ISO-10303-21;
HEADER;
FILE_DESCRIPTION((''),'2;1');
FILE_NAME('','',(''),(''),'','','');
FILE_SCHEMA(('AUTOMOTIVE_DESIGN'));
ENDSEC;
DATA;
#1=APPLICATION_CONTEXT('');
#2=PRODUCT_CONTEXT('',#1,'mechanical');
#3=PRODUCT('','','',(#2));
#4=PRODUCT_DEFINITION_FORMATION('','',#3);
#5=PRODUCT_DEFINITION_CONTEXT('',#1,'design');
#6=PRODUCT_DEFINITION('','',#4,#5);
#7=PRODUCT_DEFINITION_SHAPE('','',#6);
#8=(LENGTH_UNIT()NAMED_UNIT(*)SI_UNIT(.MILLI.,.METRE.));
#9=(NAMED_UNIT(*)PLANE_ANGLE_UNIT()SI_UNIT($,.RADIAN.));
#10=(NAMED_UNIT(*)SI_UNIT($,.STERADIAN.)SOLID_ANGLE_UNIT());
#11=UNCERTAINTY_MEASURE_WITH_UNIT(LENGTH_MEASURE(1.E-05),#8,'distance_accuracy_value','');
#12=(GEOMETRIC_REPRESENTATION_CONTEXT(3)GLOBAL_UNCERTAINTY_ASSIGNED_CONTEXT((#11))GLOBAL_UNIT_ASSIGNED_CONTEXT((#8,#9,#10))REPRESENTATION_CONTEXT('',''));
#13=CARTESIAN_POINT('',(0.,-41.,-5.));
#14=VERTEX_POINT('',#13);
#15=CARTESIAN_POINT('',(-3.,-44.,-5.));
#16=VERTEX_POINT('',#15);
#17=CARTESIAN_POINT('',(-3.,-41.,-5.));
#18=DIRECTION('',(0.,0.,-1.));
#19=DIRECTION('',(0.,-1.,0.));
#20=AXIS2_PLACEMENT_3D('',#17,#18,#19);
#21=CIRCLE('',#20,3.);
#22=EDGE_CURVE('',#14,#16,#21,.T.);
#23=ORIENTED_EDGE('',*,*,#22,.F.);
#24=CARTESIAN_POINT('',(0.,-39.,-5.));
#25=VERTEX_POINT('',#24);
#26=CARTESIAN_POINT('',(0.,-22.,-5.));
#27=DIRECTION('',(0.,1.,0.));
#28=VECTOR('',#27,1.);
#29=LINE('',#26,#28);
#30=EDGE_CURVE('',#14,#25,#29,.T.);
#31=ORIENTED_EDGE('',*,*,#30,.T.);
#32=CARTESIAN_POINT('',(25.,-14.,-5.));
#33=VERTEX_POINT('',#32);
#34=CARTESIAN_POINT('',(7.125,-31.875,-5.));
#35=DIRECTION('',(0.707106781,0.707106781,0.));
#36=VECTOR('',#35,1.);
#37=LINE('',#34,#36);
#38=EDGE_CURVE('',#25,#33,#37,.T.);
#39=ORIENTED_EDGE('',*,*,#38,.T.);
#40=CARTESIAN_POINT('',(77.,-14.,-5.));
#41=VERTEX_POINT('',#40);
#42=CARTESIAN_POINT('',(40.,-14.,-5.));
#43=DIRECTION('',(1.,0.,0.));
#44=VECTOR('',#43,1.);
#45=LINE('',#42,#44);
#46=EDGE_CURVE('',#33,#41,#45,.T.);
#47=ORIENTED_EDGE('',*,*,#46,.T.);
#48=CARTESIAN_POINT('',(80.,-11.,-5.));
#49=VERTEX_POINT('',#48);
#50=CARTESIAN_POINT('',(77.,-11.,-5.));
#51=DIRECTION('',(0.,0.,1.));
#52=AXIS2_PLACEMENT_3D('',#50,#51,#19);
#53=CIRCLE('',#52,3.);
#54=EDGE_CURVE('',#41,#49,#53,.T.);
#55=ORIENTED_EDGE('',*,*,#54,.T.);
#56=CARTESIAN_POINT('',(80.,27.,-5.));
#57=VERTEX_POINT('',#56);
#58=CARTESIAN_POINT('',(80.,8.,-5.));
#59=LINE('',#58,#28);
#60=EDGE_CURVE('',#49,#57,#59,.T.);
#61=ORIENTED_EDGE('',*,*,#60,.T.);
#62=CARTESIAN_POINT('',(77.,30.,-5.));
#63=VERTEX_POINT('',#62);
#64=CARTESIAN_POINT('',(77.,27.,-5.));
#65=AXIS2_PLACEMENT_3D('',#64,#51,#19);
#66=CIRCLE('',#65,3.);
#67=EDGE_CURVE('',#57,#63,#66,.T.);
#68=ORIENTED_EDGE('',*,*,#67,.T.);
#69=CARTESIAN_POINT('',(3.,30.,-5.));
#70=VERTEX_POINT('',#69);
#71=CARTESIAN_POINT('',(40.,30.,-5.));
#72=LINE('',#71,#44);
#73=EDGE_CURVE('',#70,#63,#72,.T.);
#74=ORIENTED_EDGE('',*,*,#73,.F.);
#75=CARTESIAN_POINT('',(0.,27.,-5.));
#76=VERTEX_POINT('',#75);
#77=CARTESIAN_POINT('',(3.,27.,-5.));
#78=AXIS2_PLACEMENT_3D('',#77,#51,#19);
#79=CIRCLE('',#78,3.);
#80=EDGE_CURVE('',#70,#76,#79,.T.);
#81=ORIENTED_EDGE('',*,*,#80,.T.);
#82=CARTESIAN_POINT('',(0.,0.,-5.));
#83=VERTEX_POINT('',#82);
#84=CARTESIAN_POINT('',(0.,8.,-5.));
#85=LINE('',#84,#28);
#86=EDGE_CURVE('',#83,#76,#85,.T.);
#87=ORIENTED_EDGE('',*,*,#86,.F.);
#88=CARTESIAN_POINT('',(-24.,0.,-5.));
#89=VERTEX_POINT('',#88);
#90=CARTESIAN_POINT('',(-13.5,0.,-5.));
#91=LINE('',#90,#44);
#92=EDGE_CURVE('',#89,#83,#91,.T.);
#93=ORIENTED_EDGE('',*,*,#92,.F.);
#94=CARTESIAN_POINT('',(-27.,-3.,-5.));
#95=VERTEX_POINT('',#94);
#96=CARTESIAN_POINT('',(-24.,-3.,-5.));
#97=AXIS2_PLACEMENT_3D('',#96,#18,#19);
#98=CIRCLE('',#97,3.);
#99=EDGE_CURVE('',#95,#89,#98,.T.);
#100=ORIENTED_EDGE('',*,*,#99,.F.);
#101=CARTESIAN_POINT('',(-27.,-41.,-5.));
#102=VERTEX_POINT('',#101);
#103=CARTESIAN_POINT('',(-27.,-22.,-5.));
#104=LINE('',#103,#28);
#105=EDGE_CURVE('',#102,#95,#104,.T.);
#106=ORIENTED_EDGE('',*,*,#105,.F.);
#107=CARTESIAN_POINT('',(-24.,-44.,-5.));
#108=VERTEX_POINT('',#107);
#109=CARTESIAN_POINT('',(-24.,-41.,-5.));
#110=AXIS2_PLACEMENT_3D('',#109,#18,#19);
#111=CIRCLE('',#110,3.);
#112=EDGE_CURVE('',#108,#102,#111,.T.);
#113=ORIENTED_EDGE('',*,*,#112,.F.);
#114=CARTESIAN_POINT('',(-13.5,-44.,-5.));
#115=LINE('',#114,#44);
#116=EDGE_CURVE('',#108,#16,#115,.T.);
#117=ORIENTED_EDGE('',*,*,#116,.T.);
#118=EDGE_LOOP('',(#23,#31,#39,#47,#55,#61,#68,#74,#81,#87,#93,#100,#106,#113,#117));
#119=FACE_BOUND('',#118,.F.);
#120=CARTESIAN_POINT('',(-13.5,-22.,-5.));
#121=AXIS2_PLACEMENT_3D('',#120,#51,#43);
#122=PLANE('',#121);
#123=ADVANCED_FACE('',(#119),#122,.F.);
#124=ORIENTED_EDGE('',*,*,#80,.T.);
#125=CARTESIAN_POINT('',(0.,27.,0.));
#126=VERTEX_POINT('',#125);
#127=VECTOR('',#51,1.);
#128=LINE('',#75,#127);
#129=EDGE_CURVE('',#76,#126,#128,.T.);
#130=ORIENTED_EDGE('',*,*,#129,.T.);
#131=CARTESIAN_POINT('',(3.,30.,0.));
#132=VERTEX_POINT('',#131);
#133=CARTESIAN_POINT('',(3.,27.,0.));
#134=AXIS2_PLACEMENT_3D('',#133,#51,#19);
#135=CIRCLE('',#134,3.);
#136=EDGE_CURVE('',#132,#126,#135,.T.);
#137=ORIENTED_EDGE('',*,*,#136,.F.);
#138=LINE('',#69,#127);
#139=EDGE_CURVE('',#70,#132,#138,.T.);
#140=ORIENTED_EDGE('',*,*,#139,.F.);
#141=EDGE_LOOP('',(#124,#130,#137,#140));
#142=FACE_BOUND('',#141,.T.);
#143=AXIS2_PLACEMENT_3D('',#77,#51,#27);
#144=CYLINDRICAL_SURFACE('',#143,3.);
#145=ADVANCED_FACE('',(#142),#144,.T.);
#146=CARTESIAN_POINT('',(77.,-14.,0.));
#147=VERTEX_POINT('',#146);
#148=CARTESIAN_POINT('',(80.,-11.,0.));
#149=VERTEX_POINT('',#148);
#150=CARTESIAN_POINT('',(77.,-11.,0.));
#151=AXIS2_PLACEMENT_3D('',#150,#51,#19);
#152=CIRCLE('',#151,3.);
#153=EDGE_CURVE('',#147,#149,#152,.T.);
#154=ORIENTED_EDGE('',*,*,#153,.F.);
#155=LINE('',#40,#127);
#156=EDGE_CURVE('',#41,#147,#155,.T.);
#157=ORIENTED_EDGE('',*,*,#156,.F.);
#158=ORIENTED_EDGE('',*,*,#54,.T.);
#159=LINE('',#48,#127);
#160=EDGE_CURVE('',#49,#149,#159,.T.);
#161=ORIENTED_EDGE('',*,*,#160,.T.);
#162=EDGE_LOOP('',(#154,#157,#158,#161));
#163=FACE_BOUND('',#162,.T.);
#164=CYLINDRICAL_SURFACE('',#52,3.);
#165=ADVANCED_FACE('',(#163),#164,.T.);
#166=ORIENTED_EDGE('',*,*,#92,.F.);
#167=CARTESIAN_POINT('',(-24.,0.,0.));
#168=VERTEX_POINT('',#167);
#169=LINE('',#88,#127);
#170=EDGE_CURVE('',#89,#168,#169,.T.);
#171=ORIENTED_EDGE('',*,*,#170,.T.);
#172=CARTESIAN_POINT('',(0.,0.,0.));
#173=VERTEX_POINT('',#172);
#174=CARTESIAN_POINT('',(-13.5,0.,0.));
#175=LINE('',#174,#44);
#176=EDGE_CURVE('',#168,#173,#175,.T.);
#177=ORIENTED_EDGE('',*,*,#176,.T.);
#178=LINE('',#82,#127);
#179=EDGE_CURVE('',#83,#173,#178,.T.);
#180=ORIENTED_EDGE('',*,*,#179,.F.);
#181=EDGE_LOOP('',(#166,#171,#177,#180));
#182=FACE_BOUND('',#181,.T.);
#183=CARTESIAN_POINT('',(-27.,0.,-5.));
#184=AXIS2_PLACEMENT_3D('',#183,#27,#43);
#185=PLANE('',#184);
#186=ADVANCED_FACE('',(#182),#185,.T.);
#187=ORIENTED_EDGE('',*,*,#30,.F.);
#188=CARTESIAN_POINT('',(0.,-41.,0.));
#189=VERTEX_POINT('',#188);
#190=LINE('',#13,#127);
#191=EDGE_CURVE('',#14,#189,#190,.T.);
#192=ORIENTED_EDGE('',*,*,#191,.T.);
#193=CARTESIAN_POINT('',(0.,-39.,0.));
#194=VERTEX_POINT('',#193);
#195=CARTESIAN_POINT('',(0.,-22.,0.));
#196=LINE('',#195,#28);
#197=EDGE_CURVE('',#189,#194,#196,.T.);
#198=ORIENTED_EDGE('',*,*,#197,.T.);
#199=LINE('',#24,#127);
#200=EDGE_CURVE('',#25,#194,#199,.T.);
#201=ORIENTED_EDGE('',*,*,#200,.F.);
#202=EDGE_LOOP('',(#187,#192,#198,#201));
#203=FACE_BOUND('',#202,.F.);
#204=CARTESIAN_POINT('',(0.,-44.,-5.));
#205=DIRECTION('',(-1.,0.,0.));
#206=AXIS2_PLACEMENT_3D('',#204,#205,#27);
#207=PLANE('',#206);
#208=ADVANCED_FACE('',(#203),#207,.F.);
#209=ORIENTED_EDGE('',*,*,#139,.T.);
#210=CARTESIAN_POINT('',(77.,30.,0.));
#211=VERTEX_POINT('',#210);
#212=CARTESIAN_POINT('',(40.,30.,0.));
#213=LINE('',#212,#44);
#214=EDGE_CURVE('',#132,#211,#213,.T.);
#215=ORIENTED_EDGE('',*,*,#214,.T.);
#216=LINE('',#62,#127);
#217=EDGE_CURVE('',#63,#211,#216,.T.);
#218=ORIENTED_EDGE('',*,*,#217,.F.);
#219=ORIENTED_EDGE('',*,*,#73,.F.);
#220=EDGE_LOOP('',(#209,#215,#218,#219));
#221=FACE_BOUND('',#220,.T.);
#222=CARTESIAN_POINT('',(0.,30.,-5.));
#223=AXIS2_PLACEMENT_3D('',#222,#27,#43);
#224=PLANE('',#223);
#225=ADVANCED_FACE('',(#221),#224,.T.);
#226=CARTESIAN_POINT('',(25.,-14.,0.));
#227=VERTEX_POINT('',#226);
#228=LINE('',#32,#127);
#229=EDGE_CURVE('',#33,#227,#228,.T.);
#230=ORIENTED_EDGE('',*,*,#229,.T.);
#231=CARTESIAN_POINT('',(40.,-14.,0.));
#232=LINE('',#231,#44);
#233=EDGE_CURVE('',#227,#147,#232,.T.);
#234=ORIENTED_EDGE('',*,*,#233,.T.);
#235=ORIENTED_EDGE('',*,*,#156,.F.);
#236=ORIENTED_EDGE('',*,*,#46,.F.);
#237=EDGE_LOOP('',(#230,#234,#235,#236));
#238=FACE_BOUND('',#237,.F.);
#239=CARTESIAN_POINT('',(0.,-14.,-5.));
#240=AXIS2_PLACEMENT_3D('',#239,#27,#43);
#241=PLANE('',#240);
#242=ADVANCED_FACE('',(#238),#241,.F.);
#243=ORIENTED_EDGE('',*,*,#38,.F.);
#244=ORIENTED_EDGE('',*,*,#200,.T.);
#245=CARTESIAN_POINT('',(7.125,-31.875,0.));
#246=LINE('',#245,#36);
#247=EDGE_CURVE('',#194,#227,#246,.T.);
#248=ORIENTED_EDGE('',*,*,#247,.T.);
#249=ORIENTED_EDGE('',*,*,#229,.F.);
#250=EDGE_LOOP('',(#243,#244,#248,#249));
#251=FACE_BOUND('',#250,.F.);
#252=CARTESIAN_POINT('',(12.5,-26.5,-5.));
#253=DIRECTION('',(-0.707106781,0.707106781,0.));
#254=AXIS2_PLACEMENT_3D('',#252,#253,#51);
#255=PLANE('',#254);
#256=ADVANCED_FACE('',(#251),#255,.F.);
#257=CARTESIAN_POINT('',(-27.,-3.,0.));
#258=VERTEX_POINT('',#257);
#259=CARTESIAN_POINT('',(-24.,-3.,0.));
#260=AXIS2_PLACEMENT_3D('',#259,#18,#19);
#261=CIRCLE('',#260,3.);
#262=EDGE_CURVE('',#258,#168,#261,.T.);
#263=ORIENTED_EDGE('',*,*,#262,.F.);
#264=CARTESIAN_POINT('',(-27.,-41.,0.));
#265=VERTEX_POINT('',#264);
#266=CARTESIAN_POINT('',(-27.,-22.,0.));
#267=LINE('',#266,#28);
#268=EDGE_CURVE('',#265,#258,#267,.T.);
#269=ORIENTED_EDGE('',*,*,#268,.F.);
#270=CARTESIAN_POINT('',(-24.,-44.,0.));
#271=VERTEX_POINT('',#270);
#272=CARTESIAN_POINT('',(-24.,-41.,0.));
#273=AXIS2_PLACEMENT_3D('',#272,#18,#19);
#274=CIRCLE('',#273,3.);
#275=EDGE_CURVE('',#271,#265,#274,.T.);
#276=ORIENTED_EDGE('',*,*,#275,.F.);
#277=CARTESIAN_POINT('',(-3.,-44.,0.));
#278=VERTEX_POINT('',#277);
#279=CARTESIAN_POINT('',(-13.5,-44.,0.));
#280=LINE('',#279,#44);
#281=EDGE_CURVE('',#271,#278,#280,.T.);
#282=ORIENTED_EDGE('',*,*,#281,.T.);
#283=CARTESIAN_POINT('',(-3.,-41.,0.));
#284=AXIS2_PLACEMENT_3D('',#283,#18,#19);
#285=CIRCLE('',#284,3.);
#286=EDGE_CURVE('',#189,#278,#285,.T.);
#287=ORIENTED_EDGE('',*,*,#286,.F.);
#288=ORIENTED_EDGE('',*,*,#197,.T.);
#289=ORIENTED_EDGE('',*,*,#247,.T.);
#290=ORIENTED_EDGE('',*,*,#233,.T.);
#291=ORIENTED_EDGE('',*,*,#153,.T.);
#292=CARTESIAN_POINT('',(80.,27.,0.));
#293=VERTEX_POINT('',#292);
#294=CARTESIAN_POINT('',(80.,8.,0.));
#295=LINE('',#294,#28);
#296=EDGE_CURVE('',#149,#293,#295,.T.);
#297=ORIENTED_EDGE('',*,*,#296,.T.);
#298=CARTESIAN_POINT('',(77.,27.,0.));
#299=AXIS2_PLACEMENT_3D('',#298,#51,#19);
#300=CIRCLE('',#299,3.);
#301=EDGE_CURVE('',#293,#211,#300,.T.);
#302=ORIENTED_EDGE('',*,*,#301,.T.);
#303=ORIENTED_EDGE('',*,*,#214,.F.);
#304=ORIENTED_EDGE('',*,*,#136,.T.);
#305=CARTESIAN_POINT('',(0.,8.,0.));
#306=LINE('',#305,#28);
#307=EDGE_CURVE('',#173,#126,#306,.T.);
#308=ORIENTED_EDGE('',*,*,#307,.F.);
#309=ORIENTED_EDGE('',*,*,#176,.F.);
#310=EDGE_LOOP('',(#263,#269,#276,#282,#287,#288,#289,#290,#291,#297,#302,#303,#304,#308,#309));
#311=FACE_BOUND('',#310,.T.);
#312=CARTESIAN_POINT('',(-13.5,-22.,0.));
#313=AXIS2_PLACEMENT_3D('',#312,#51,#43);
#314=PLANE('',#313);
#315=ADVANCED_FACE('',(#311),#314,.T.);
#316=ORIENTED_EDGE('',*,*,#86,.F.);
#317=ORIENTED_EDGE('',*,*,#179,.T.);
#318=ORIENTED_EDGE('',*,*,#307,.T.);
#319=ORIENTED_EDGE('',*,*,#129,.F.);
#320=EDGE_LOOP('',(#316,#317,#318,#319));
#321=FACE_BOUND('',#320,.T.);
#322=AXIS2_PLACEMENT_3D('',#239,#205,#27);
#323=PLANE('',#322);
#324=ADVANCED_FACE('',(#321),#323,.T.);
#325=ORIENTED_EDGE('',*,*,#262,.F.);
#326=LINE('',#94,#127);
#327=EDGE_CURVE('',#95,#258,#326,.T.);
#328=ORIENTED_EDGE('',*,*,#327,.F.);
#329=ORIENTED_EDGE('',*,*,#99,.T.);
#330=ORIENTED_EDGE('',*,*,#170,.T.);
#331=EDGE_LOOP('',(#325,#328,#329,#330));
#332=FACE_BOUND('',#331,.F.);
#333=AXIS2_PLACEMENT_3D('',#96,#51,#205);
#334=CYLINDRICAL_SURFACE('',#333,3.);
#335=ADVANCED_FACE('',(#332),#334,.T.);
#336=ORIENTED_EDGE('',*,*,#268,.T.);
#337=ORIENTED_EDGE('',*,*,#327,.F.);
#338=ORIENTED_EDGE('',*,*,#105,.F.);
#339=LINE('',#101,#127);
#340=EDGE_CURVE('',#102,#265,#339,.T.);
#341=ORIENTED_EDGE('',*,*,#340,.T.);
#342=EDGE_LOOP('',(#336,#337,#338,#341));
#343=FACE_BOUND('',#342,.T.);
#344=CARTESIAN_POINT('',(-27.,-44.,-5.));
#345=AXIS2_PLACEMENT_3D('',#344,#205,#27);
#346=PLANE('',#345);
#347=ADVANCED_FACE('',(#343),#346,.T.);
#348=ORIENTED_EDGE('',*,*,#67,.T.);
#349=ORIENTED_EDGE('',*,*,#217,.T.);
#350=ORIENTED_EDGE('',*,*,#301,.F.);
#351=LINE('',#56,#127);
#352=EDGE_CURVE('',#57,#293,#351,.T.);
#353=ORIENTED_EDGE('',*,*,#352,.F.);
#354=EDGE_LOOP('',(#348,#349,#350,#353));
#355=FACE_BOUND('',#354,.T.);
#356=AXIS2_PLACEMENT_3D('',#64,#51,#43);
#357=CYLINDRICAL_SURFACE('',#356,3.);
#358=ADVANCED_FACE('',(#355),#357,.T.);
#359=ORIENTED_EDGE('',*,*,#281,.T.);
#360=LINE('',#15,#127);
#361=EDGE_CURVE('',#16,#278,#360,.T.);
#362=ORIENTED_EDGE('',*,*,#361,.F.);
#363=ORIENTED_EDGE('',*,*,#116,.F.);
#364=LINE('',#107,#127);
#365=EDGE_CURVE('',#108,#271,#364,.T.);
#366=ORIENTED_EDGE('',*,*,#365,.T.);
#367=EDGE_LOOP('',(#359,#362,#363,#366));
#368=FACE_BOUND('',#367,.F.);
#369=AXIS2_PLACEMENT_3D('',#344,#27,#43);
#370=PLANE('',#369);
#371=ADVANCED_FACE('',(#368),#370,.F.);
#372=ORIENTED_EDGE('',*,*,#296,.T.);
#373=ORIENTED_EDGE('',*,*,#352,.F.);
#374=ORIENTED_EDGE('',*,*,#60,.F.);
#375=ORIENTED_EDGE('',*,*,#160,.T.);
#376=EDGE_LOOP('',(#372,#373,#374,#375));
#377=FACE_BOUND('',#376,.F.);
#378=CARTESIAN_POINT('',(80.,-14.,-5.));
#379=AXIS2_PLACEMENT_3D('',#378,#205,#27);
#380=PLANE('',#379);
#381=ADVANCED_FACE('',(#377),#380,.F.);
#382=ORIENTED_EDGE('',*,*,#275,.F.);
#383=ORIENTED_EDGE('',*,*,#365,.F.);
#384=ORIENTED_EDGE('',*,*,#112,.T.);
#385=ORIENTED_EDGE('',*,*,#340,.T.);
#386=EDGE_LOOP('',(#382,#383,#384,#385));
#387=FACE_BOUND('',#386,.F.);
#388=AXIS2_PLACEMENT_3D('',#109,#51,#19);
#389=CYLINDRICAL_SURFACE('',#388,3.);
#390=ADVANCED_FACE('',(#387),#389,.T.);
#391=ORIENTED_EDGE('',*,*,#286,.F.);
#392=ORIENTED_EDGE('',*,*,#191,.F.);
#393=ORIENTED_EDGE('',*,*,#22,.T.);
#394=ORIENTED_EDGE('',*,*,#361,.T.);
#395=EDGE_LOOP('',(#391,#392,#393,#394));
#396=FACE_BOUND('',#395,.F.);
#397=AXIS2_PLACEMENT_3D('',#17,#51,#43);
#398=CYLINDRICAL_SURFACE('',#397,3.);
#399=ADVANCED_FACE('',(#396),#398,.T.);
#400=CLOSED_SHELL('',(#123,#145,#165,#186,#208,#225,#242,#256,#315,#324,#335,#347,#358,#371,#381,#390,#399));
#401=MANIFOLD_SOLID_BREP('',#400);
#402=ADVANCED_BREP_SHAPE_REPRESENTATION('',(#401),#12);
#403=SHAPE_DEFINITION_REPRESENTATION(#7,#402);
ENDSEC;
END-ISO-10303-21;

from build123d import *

# Parameters (mm, degrees)
BOX018_W        = 27
BOX018_H        = 44
BOX018_DEPTH    = 5
BOX019_W        = 80
BOX019_H        = 44
BOX019_DEPTH    = 5
CHAMFER016_SIZE = 25
FILLET004003_R  = 3


with BuildPart() as cube018:
    # Box018 → Box018 (new body)
    with BuildSketch(Plane(origin=(-27, -44, -5), x_dir=(1, 0, 0), z_dir=(0, 0, 1))):
        with Locations((13.5, 22)):
            Rectangle(BOX018_W, BOX018_H)
    extrude(amount=BOX018_DEPTH)


with BuildPart() as fillet004003:
    # Box019 → Box019 (new body)
    with BuildSketch(Plane(origin=(0, -14, -5), x_dir=(1, 0, 0), z_dir=(0, 0, 1))):
        with Locations((40, 22)):
            Rectangle(BOX019_W, BOX019_H)
    extrude(amount=BOX019_DEPTH)

    # Fusion006002011004053036004001003009006003: union Cube018
    add(cube018.part)

    # Chamfer016
    chamfer016_edges = [fillet004003.edges().sort_by_distance(p)[0] for p in [
        (0, -14, -2.5),
    ]]
    chamfer(chamfer016_edges, length=CHAMFER016_SIZE)

    # Fillet004003
    fillet004003_edges = [fillet004003.edges().sort_by_distance(p)[0] for p in [
        (80, -14, -2.5),
        (80, 30, -2.5),
        (0, 30, -2.5),
        (0, -44, -2.5),
        (-27, -44, -2.5),
        (-27, 0, -2.5),
    ]]
    fillet(fillet004003_edges, radius=FILLET004003_R)


solid = fillet004003.part
